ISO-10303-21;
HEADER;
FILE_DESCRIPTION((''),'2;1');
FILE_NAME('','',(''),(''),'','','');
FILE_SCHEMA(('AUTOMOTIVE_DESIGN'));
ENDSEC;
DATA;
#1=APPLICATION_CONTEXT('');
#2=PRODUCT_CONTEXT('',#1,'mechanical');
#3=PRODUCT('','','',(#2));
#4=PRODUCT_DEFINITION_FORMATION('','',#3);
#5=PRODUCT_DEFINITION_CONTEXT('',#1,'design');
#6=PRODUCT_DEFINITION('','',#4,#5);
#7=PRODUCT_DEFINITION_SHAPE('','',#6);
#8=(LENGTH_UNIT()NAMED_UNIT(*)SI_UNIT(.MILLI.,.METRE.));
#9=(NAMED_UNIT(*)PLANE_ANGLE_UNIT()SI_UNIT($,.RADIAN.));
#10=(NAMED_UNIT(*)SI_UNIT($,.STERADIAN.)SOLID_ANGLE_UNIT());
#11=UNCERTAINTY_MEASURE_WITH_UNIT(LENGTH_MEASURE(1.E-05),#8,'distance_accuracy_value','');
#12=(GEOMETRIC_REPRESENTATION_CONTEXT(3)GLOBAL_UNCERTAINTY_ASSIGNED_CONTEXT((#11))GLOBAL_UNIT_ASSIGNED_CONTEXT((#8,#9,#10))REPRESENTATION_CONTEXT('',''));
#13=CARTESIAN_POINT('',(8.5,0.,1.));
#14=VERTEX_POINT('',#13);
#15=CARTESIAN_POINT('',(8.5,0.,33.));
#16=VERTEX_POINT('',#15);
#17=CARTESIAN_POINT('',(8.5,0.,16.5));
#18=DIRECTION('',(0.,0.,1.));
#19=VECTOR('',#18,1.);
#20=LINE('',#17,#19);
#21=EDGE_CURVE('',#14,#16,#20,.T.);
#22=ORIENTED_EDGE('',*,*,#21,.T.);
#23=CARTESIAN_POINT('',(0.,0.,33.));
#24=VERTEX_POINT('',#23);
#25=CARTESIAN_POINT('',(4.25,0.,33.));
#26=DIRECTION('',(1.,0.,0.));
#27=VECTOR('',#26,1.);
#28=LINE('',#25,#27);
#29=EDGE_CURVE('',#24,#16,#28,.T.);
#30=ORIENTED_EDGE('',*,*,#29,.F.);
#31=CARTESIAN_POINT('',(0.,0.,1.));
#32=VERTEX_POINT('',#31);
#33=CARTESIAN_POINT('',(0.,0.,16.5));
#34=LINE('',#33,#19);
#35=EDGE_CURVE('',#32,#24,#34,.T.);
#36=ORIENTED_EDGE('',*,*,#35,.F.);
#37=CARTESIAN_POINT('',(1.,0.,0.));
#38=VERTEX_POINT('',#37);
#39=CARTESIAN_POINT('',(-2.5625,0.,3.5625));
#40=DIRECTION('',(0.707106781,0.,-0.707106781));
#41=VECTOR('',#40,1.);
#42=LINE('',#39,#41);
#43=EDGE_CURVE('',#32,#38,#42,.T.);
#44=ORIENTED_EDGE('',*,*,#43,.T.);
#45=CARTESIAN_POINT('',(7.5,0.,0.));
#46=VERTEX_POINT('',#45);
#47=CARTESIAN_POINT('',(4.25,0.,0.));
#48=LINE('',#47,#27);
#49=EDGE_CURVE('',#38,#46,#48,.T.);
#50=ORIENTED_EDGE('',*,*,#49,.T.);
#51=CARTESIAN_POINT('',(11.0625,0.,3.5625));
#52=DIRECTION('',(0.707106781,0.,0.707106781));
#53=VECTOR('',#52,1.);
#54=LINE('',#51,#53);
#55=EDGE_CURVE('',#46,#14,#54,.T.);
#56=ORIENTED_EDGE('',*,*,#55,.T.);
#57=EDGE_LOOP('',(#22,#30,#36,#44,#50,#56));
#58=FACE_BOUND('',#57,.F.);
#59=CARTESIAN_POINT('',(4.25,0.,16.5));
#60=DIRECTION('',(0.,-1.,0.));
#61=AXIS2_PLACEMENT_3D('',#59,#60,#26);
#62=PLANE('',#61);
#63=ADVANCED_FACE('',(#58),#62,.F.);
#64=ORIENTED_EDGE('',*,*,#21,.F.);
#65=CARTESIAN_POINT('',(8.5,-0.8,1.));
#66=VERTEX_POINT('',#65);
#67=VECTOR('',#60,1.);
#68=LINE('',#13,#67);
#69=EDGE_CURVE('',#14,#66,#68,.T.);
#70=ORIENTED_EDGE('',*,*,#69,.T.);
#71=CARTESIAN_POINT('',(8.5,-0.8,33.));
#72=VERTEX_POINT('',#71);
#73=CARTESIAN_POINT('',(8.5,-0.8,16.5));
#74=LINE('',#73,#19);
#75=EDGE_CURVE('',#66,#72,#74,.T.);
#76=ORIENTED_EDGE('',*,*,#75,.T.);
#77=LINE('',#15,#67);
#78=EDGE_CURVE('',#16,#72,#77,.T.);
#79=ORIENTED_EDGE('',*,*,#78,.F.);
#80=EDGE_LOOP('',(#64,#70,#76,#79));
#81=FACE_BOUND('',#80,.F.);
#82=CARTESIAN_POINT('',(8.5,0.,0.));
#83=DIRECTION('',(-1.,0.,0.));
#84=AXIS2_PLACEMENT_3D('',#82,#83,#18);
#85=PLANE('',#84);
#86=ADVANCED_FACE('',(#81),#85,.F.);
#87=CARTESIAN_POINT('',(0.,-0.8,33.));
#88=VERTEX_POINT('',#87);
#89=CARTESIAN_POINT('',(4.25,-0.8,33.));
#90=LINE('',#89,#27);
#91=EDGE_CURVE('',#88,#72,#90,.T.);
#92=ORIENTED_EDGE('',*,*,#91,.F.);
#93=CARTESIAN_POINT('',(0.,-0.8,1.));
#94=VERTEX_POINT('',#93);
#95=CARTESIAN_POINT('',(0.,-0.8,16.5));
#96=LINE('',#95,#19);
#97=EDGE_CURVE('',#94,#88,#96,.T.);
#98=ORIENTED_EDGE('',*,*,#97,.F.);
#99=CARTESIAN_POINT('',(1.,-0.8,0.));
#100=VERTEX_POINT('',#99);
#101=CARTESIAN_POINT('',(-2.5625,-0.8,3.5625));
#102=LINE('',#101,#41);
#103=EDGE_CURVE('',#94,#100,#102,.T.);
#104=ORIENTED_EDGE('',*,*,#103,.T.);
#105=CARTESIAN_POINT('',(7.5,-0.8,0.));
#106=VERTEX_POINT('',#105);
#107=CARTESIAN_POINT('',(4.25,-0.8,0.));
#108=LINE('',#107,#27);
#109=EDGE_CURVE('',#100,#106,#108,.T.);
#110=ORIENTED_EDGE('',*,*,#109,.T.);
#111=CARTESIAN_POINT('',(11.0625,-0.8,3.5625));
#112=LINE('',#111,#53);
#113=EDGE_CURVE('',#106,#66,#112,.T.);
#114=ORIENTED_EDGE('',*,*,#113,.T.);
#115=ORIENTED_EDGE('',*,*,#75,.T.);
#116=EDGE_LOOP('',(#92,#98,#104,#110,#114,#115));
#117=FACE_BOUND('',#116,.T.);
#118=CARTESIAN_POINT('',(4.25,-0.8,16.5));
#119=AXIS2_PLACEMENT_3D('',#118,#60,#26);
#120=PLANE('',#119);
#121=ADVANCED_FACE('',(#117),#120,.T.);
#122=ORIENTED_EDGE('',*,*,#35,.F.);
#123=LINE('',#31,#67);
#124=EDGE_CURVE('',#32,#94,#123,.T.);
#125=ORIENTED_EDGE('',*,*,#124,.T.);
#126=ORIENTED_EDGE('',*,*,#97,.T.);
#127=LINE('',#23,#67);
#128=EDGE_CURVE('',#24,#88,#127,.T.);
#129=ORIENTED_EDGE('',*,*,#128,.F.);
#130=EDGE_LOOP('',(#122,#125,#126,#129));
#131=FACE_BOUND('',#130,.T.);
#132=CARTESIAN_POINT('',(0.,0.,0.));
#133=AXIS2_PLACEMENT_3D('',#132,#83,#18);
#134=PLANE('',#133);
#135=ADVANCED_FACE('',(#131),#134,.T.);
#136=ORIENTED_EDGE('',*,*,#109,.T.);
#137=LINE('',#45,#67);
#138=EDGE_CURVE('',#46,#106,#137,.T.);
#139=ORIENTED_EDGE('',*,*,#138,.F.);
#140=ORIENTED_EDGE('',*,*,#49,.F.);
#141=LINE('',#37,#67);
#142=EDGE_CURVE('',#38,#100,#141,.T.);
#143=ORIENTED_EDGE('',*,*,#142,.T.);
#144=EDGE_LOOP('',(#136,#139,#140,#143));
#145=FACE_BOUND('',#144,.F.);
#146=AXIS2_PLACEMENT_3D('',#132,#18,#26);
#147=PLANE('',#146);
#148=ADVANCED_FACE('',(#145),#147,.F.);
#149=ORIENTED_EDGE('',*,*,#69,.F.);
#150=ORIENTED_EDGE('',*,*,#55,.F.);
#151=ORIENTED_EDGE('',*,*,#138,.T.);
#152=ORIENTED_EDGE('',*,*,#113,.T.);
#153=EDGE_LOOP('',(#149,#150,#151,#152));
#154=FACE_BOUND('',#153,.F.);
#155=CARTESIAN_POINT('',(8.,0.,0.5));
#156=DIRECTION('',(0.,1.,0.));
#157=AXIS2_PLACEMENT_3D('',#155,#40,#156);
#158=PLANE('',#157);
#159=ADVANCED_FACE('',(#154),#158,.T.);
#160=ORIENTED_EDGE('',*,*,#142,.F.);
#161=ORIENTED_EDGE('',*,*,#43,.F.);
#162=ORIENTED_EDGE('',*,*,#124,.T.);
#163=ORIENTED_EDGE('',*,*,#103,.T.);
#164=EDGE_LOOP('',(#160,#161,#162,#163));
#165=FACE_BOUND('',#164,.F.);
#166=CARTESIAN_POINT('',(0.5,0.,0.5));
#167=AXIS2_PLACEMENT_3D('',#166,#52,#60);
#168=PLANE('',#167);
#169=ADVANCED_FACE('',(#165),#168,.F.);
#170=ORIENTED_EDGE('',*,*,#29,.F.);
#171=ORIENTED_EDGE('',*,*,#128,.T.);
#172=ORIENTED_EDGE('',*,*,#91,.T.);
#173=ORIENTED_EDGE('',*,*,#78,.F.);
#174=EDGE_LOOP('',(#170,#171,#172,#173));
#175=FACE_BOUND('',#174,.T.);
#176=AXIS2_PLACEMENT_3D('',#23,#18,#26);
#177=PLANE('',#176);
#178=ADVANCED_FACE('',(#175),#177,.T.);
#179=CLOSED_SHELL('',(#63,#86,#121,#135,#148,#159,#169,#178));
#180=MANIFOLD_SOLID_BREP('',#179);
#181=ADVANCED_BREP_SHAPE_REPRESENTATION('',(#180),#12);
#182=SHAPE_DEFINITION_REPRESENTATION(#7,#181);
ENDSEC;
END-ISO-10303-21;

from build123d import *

# Parameters (mm, degrees)
F0_W     = 8.5
F0_H     = 33
F1_DEPTH = 0.8
F2_SIZE  = 1


with BuildPart() as f1:
    # F0 (on Front) → F1 (new body)
    with BuildSketch(Plane.XZ):
        with Locations((4.25, 16.5)):
            Rectangle(F0_W, F0_H)
    extrude(amount=F1_DEPTH)

    # F2
    f2_edges = [f1.edges().sort_by_distance(p)[0] for p in [
        (8.5, -0.4, 0),
        (0, -0.4, 0),
    ]]
    chamfer(f2_edges, length=F2_SIZE)


solid = f1.part
